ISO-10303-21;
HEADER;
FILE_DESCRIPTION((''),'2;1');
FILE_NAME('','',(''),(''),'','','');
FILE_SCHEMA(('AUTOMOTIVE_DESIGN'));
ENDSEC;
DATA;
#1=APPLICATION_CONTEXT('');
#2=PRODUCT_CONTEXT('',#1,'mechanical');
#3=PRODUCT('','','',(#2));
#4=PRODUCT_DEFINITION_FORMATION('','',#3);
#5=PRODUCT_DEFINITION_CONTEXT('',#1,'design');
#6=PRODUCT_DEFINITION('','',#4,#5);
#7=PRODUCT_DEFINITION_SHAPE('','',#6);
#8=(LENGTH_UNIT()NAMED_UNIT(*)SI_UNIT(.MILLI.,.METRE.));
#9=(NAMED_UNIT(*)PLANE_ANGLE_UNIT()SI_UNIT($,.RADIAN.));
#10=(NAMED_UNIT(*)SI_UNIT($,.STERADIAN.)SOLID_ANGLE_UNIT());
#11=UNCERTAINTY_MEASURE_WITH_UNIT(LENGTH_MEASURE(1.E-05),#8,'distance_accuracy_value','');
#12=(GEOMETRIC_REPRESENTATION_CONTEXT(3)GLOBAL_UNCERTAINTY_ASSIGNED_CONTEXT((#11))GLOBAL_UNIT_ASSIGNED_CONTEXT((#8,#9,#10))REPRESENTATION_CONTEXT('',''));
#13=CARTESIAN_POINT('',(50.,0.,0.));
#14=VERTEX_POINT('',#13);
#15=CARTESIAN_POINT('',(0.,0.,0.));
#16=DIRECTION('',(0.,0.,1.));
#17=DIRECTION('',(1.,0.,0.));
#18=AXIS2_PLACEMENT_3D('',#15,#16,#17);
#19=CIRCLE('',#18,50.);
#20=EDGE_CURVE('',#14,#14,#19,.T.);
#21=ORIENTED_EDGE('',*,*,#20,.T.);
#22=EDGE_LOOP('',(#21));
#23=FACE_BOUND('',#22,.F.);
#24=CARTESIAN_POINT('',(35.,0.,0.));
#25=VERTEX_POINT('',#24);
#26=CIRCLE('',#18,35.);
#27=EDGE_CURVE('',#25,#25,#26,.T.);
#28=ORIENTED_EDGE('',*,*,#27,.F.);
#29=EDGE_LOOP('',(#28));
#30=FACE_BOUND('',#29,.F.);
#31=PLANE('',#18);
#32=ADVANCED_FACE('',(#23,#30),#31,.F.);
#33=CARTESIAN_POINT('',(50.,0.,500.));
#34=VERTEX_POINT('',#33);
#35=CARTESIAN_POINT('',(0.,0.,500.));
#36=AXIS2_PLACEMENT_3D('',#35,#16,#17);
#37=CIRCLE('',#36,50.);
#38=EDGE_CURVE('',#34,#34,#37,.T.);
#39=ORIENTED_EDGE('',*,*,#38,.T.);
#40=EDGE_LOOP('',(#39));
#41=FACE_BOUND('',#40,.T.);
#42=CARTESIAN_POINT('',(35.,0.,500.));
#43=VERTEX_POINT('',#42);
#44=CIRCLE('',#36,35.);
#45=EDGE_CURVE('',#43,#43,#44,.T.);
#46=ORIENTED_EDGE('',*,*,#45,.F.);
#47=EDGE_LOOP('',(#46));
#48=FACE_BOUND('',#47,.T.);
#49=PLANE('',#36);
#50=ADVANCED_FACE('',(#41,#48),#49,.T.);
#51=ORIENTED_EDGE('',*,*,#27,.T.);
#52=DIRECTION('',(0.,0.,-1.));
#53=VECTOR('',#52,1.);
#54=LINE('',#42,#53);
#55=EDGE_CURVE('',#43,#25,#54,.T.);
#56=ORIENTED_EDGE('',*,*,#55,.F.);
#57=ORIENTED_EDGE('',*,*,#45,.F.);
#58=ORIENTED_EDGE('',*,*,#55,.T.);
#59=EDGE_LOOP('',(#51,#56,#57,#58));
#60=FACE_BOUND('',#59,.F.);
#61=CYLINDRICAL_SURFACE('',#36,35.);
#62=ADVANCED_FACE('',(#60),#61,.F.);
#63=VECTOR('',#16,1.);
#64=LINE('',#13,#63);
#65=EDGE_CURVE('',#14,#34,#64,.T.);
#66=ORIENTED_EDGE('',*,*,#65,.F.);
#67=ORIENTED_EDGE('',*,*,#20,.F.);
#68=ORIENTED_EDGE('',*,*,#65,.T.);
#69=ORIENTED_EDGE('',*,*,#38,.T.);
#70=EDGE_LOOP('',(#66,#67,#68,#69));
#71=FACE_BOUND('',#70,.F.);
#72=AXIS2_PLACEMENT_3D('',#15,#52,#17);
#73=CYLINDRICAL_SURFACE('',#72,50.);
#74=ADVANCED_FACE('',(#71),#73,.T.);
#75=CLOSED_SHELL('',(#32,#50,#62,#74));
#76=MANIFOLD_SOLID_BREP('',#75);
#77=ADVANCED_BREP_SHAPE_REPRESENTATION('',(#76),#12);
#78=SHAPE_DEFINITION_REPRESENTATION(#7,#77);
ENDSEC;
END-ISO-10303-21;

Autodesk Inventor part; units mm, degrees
ref_plane "YZ Plane" through (0, 0, 0) normal (1, 0, 0) x (0, 1, 0)
ref_plane "XZ Plane" through (0, 0, 0) normal (0, 1, 0) x (-1, 0, 0)
ref_plane "XY Plane" through (0, 0, 0) normal (0, 0, 1) x (1, 0, 0)
sketch "Sketch5" plane through (0, 0, 0) normal (0, 0, 1) x (1, 0, 0)
  circle A0 centre (0, 0) radius 50
  dimension "d12" = 100
extrude "Extrusion5" add sketch "Sketch5" along normal blind 500
sketch "Sketch6" plane through (0, 0, 500) normal (0, 0, 1) x (1, 0, 0)
  circle A0 centre (0, 0) radius 35
  dimension "d15" = 70
extrude "Extrusion6" cut sketch "Sketch6" against normal blind 500
sketch "Sketch7" plane through (0, 0, 500) normal (0, 0, 1) x (1, 0, 0)
  point P0 (0, 0)
properties part number "project rolller 1 part_CPY"
